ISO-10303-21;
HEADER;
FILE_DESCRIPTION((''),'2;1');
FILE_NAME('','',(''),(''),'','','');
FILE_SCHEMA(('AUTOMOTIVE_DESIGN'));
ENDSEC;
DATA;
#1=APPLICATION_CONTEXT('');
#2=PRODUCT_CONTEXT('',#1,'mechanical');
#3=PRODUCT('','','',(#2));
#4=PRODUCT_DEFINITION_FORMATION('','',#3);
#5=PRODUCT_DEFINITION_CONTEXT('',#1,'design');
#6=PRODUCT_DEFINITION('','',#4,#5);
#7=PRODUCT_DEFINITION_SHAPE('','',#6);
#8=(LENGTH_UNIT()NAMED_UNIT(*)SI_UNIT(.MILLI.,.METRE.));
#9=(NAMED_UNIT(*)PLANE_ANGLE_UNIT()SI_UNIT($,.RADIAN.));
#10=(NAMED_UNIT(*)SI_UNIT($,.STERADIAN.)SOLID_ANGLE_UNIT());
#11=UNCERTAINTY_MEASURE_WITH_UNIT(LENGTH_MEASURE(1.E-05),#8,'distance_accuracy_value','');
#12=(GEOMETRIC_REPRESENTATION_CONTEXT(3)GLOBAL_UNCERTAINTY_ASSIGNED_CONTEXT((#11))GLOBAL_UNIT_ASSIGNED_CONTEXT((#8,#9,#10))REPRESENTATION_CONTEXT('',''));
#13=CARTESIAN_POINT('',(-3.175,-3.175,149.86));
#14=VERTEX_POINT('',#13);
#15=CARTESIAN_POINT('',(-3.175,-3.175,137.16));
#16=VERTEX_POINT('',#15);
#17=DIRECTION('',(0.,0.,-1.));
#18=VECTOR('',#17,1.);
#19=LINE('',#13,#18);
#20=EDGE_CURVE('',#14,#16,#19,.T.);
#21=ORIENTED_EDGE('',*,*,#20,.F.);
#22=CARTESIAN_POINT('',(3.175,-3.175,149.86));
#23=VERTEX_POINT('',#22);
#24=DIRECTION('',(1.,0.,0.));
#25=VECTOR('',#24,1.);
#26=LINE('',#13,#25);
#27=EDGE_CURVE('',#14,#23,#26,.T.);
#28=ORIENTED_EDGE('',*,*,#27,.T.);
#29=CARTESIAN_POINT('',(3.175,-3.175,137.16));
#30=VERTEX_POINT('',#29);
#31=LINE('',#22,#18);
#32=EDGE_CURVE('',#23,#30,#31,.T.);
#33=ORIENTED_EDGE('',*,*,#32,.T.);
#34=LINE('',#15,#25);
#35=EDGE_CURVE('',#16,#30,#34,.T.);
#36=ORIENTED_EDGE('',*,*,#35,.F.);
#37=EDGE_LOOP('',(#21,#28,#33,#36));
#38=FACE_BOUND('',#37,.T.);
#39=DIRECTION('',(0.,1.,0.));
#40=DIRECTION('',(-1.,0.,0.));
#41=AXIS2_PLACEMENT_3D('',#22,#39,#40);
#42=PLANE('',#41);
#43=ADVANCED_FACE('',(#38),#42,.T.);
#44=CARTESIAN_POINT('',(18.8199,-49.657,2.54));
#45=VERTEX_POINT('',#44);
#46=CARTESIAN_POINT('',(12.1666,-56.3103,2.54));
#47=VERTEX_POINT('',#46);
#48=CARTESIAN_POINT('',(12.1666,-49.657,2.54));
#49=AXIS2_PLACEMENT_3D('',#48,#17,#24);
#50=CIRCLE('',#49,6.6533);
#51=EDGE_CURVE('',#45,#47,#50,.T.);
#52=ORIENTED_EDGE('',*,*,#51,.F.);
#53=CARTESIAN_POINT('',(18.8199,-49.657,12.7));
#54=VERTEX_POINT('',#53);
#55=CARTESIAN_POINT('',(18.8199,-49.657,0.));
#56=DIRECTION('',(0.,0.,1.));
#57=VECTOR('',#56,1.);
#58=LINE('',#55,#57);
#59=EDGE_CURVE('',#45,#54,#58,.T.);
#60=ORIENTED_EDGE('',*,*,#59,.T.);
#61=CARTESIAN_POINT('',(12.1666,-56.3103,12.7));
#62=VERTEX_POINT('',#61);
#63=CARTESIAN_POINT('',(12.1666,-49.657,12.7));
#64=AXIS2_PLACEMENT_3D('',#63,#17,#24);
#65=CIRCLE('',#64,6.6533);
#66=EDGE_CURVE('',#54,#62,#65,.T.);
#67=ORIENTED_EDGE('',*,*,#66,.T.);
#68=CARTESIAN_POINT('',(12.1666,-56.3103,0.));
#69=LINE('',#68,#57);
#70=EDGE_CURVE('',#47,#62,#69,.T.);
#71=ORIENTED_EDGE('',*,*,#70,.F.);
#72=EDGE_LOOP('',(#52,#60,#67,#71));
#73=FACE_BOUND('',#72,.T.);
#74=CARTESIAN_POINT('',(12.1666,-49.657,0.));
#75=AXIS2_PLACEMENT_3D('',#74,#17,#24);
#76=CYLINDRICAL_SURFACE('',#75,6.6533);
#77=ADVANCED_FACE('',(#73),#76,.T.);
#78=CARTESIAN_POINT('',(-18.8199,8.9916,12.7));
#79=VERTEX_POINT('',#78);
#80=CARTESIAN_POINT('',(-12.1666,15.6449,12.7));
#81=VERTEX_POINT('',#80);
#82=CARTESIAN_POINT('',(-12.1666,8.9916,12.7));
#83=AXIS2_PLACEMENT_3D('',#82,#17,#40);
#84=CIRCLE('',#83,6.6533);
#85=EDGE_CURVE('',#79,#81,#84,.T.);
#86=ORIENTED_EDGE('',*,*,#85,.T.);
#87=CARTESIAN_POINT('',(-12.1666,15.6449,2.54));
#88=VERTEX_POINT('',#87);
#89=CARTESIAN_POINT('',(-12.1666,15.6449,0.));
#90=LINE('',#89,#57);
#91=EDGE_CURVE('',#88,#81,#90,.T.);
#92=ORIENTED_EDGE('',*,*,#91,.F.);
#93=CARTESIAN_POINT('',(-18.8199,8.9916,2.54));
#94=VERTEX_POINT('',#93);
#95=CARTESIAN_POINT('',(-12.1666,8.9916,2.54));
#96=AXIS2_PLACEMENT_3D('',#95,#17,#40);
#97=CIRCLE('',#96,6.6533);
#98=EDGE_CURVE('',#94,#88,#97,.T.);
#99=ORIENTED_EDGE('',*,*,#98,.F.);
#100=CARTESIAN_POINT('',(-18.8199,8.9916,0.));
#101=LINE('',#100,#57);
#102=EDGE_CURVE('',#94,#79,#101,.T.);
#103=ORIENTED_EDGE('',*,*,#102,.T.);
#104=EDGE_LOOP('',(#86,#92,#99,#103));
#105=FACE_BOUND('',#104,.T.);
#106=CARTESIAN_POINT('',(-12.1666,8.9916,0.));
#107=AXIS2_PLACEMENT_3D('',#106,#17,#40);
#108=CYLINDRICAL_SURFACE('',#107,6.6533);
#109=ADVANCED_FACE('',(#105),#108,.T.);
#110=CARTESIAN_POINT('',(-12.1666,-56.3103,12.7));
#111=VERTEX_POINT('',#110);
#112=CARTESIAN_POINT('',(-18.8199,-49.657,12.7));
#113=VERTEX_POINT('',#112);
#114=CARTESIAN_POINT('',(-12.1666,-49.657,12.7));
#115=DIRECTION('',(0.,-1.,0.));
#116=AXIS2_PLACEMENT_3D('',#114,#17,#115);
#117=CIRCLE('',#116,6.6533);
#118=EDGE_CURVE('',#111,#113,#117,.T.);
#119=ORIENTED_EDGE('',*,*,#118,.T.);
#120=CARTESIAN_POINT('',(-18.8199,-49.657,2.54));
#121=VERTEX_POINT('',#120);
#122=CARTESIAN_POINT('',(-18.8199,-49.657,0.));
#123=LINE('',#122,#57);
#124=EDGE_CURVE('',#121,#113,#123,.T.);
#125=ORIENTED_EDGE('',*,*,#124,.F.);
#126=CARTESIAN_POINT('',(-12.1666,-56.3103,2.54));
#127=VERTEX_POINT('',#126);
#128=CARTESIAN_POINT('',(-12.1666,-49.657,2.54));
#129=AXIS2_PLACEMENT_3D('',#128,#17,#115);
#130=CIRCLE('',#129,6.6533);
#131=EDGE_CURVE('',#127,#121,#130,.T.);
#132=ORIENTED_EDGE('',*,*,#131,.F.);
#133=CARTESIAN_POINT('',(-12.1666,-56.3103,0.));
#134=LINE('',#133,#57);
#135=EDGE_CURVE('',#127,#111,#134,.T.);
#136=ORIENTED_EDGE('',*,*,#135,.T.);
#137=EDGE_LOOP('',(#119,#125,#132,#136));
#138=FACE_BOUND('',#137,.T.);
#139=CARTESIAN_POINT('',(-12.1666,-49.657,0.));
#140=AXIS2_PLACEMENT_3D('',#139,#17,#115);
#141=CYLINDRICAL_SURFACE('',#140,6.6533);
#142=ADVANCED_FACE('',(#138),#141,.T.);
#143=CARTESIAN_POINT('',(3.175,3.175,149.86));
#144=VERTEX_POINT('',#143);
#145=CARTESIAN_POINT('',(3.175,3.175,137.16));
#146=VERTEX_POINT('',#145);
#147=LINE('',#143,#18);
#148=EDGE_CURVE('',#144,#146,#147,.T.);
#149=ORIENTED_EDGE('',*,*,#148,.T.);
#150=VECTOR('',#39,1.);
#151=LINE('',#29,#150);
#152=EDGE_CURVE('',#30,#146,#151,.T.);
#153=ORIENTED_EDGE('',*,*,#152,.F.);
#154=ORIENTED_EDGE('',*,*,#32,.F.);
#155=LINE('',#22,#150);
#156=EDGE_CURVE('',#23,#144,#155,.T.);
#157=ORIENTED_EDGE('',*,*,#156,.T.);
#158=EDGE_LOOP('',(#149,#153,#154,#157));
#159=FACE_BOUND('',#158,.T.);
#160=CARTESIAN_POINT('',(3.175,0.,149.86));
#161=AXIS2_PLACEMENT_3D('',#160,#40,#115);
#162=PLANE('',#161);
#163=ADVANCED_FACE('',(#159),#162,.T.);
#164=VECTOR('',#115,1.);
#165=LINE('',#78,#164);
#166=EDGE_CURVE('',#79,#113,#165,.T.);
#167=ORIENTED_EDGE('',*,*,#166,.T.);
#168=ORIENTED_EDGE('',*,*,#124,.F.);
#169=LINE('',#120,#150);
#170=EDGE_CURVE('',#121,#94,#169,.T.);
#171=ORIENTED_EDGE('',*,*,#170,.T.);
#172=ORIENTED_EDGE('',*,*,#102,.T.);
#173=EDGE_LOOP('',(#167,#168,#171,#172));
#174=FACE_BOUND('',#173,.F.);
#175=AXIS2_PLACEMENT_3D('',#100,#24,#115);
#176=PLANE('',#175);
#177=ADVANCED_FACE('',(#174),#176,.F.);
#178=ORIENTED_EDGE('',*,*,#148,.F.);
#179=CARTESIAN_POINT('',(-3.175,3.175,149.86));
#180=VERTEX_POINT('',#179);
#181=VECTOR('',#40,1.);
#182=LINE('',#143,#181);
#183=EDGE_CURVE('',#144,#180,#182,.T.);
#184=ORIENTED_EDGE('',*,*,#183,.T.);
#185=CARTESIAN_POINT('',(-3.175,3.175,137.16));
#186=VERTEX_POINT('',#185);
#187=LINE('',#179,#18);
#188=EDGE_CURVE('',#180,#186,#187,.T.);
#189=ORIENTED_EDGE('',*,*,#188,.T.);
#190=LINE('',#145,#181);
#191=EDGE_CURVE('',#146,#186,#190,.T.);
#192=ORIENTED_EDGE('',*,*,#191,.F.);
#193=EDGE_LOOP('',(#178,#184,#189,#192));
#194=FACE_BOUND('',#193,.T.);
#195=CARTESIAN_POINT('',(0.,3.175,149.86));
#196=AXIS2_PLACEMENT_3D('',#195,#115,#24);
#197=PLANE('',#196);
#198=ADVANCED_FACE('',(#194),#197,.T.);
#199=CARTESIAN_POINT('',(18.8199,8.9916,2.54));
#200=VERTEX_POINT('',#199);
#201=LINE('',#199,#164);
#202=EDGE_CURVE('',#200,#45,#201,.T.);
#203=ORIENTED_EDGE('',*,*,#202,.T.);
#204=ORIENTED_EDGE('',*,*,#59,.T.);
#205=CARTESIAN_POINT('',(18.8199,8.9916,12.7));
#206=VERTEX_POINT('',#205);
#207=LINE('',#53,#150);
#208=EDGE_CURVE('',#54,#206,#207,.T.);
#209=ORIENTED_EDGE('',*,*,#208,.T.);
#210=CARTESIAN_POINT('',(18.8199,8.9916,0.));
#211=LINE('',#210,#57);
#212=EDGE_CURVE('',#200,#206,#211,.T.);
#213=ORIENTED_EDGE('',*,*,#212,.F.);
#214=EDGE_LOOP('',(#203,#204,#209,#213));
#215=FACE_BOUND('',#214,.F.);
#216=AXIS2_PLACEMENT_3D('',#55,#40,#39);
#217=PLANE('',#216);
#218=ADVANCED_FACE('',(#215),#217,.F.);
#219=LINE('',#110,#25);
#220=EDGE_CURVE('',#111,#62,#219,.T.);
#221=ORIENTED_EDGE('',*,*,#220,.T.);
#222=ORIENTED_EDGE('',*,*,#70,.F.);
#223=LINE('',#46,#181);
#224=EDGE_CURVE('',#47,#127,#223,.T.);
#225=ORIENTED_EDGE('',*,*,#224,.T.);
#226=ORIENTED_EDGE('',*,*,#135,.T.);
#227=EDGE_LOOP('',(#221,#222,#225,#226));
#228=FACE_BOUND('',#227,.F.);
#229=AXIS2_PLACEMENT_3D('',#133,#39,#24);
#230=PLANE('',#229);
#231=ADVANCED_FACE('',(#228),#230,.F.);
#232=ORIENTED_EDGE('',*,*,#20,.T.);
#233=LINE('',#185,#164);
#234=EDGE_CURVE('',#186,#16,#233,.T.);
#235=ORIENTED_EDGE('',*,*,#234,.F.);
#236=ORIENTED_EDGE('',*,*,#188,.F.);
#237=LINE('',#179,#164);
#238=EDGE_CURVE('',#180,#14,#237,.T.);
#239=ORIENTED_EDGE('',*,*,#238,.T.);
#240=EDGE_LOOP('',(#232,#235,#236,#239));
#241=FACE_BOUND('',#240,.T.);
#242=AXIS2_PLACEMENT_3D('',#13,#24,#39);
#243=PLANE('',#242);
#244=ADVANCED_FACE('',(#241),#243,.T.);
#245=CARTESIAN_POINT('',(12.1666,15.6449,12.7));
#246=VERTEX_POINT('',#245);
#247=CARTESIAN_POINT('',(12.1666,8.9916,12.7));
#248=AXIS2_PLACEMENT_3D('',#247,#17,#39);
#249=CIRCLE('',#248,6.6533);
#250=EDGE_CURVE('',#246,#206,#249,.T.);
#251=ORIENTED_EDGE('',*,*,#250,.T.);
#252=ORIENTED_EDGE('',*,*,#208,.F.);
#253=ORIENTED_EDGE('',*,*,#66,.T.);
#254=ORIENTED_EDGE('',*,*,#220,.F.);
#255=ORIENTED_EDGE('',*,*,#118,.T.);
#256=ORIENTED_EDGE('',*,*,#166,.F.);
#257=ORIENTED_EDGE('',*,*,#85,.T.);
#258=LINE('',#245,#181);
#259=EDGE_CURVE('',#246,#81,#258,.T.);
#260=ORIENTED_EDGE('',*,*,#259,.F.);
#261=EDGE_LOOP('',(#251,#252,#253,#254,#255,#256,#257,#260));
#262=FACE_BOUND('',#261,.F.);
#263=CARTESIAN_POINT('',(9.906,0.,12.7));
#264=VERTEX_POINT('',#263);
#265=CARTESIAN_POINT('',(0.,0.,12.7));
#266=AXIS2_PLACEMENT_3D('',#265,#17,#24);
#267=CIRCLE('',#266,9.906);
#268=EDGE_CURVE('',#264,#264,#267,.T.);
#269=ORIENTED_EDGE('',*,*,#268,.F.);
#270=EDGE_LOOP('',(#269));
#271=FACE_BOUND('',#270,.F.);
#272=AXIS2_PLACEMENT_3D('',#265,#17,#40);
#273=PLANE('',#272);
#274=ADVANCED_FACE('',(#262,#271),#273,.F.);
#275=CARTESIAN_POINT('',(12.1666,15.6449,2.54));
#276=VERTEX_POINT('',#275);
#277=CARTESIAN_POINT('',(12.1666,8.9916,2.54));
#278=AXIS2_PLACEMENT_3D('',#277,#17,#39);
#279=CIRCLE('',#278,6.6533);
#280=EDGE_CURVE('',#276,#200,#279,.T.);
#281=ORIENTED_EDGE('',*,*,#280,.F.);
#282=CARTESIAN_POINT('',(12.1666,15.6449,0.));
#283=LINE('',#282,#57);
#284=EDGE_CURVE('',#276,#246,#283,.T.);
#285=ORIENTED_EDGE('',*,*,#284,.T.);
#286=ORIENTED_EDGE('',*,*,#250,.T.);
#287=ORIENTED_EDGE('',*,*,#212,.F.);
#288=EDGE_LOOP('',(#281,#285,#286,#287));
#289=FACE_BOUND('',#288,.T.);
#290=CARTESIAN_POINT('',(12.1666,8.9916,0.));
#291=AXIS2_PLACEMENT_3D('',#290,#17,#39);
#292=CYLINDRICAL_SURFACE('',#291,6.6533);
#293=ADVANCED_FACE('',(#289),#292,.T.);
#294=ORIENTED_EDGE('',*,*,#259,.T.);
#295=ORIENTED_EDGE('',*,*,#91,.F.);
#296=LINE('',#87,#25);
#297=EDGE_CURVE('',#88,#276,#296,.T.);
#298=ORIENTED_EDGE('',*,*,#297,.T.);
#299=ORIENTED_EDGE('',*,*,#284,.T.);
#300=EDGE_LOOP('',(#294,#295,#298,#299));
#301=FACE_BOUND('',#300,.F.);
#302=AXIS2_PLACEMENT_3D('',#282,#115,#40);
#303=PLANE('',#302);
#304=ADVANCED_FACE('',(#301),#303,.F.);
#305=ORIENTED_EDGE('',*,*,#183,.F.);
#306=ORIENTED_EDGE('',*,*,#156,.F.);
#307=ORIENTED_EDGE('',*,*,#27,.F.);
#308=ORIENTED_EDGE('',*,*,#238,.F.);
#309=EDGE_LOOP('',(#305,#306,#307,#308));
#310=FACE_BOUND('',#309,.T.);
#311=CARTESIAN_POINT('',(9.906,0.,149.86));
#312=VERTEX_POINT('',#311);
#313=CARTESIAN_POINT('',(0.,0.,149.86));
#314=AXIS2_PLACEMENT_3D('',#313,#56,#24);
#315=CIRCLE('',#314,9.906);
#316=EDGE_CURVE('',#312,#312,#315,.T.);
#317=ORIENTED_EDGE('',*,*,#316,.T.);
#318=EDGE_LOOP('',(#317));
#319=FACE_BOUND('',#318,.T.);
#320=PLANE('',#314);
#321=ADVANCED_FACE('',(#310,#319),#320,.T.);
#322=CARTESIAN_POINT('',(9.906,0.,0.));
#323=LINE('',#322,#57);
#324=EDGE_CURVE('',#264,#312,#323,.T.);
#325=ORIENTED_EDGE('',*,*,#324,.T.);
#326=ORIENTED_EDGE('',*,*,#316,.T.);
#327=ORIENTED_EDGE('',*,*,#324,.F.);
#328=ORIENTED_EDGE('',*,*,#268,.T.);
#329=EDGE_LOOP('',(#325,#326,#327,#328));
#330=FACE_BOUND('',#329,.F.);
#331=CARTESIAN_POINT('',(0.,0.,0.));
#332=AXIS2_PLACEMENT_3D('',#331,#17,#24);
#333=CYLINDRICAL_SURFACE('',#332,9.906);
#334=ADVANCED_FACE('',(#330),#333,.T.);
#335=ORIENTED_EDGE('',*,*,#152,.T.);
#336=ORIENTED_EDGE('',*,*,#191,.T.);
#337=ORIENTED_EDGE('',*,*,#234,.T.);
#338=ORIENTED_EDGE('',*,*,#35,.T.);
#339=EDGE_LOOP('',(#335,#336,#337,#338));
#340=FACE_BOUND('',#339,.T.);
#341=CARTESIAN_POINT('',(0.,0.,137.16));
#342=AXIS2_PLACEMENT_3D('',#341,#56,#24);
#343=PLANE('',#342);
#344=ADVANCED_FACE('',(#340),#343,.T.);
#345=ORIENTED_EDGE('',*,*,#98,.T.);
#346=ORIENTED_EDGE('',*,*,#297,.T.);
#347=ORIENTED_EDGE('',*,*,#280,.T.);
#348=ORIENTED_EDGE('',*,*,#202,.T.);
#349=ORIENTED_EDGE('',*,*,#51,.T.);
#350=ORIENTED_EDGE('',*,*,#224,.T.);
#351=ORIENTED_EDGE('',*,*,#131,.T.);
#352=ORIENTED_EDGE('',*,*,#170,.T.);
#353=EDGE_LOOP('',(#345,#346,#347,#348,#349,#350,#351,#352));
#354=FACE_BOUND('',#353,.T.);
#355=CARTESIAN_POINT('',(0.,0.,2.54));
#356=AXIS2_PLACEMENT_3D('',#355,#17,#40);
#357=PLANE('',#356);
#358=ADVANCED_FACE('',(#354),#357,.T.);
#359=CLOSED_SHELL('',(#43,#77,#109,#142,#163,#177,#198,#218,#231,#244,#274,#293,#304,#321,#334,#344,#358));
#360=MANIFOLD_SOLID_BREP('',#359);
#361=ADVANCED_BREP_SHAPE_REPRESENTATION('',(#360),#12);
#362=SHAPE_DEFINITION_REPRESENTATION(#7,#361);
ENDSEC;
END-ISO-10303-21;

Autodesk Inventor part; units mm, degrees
ref_plane "YZ Plane" through (0, 0, 0) normal (1, 0, 0) x (0, 1, 0)
ref_plane "XZ Plane" through (0, 0, 0) normal (0, 1, 0) x (-1, 0, 0)
ref_plane "XY Plane" through (0, 0, 0) normal (0, 0, 1) x (1, 0, 0)
sketch "Sketch1" plane through (0, 0, 0) normal (0, 0, 1) x (1, 0, 0)
  circle A0 centre (0, 0) radius 9.906
  dimension "d0" = 19.812
extrude "Extrusion1" add sketch "Sketch1" along normal blind 149.86
sketch "Sketch2" plane through (0, 0, 149.86) normal (0, 0, 1) x (1, 0, 0)
  circle A0 centre (0, 0) radius 9.906 projected
  circle A1 centre (0, 0) radius 3.175
  line L0 (-3.175, 0) -> (0, 0)
  line L1 (0, 0) -> (0, 3.175)
  line L2 (0, 3.175) -> (-3.175, 3.175)
  line L3 (-3.175, 3.175) -> (-3.175, 0)
  line L4 (-3.175, 3.175) -> (3.175, 3.175)
  line L5 (3.175, 3.175) -> (3.175, -3.175)
  line L6 (3.175, -3.175) -> (-3.175, -3.175)
  line L7 (-3.175, -3.175) -> (-3.175, 3.175)
  dimension "d3" = 6.35
extrude "Extrusion2" cut sketch "Sketch2" against normal blind 12.7 contours A1 L0 L1 | L5 L6 A1 | A1 L4 L5 | L1 L0 A1 | A1 L3 L2 | L6 L7 A1
sketch "Sketch3" plane through (0, 0, 0) normal (0, 0, -1) x (-1, 0, 0)
  circle A0 centre (0, 0) radius 9.906 projected
  line L0 (0, 0) -> (-25.4, 0)
  line L1 (-25.4, 0) -> (-25.4, 25.4)
  line L2 (-25.4, 25.4) -> (0, 25.4)
  line L3 (0, 25.4) -> (0, 0)
  line L4 (-25.4, 25.4) -> (25.4, 25.4)
  line L5 (25.4, 25.4) -> (25.4, -25.4)
  line L6 (25.4, -25.4) -> (-25.4, -25.4)
  line L7 (-25.4, -25.4) -> (-25.4, 25.4)
  dimension "d6" = 25.4
  dimension "d7" = 25.4
  dimension "d8" = 50.8
  dimension "d9" = 50.8
extrude "Extrusion3" add sketch "Sketch3" against normal blind 12.7 contours A0 L3 L4 L5 L6 L7 L0 | L3 L0 A0 | A0 L0 L1 L2 L3 picked at (-6.1942, 2.1674)
sketch "Sketch4" plane through (-25.4, 25.4, 0) normal (0, 1, 0) x (1, 0, 0)
  line L0 (0, -12.7) -> (50.8, -12.7) projected
  line L1 (50.8, 0) -> (50.8, -12.7) projected
  line L2 (0, 0) -> (50.8, 0) projected
  line L3 (0, 0) -> (0, -12.7) projected
  point P0 (25.4, 0)
extrude "Extrusion4" cut sketch "Sketch4" against normal blind 6.35
sketch "Sketch5" plane through (0, 0, 0) normal (0, 0, -1) x (-1, 0, 0)
  line L0 (25.4, 19.05) -> (-25.4, 19.05) projected
  line L1 (-25.4, 19.05) -> (-25.4, -25.4) projected
  line L2 (-25.4, -25.4) -> (25.4, -25.4) projected
  line L3 (25.4, -25.4) -> (25.4, 19.05) projected
  line L4 (-25.4, 19.05) -> (25.4, 19.05)
  line L5 (25.4, 19.05) -> (25.4, -31.75)
  line L6 (25.4, -31.75) -> (-25.4, -31.75)
  line L7 (-25.4, -31.75) -> (-25.4, 19.05)
  point P0 (0, 0)
  dimension "d14" = 50.8
extrude "Extrusion5" add sketch "Sketch5" against normal blind 12.7 contours L5 L6 L7 L2
sketch "Sketch7" plane through (0, 0, 12.7) normal (0, 0, 1) x (1, 0, 0)
  line L0 (25.4, 19.05) -> (25.4, -31.75) projected
  circle A0 centre (0, 0) radius 9.906 projected
  line L1 (0, 9.906) -> (0, 16.6116)
  line L2 (0, 16.6116) -> (-19.7866, 16.6116)
  line L3 (-19.7866, 16.6116) -> (-19.7866, -57.277)
  line L4 (-19.7866, -57.277) -> (0, -57.277)
  line L5 (0, -57.277) -> (0, 16.6116)
  line L6 (-19.7866, 16.6116) -> (19.7866, 16.6116)
  line L7 (19.7866, 16.6116) -> (19.7866, -57.277)
  line L8 (19.7866, -57.277) -> (-19.7866, -57.277)
  line L9 (-19.7866, -57.277) -> (-19.7866, 16.6116)
  dimension "d17" = 6.7056
  dimension "d18" = 19.7866
  dimension "d19" = 73.8886
  dimension "d20" = 39.5732
extrude "Extrusion6" add sketch "Sketch7" against normal blind 50.8 contours A0 L1 L6 L7 L8 L5 | L5 A0 | A0 L5 L4 L3 L2 L1 picked at (-4.6219, 0.7927)
sketch "Sketch8" plane through (0, 0, 0) normal (0, 0, -1) x (-1, 0, 0)
  line L0 (-19.7866, -31.75) -> (-19.7866, 16.6116) projected
  line L1 (-19.7866, 16.6116) -> (19.7866, 16.6116) projected
  line L2 (19.7866, 16.6116) -> (19.7866, -31.75) projected
  line L3 (19.7866, -31.75) -> (25.4, -31.75) projected
  line L4 (25.4, -31.75) -> (25.4, 19.05) projected
  line L5 (25.4, 19.05) -> (-25.4, 19.05) projected
  line L6 (-25.4, 19.05) -> (-25.4, -31.75) projected
  line L7 (-25.4, -31.75) -> (-19.7866, -31.75) projected
  point P0 (0, 0)
extrude "Extrusion7" cut sketch "Sketch8" against normal blind 50.8
fillet "Fillet1" radius 6.35 4 edges at (19.7866, 16.6116, -12.7) (-19.7866, 16.6116, -12.7) (19.7866, -57.277, -12.7) (-19.7866, -57.277, -12.7)
sketch "Sketch9" plane through (0, 0, -38.1) normal (0, 0, -1) x (-1, 0, 0)
  arc A0 (13.4366, -57.277) -> (19.7866, -50.927) centre (13.4366, -50.927) ccw projected
  line L0 (19.7866, 10.2616) -> (19.7866, -50.927) projected
  arc A1 (19.7866, 10.2616) -> (13.4366, 16.6116) centre (13.4366, 10.2616) ccw projected
  line L1 (-13.4366, 16.6116) -> (13.4366, 16.6116) projected
  arc A2 (-13.4366, 16.6116) -> (-19.7866, 10.2616) centre (-13.4366, 10.2616) ccw projected
  line L2 (-19.7866, -50.927) -> (-19.7866, 10.2616) projected
  arc A3 (-19.7866, -50.927) -> (-13.4366, -57.277) centre (-13.4366, -50.927) ccw projected
  line L3 (13.4366, -57.277) -> (-13.4366, -57.277) projected
  line L4 (0, -9.906) -> (0, 9.906) projected
  arc A4 (0, 9.906) -> (0, -9.906) centre (0, 0) ccw projected
extrude "Extrusion8" cut sketch "Sketch9" against normal blind 25.4
sketch "Sketch10" plane through (0, 0, -12.7) normal (0, 0, -1) x (-1, 0, 0)
  arc A0 (0, 9.906) -> (0, -9.906) centre (0, 0) ccw projected
  line L0 (0, -9.906) -> (0, 9.906) projected
extrude "Extrusion9" add sketch "Sketch10" against normal blind 25.4
sketch "Sketch11" plane through (0, 0, -12.7) normal (0, 0, -1) x (-1, 0, 0)
  line L0 (19.7866, 10.2616) -> (19.7866, -50.927) projected
  arc A0 (19.7866, 10.2616) -> (13.4366, 16.6116) centre (13.4366, 10.2616) ccw projected
  line L1 (-13.4366, 16.6116) -> (13.4366, 16.6116) projected
  arc A1 (-13.4366, 16.6116) -> (-19.7866, 10.2616) centre (-13.4366, 10.2616) ccw projected
  line L2 (-19.7866, -50.927) -> (-19.7866, 10.2616) projected
  arc A2 (-19.7866, -50.927) -> (-13.4366, -57.277) centre (-13.4366, -50.927) ccw projected
  line L3 (13.4366, -57.277) -> (-13.4366, -57.277) projected
  arc A3 (13.4366, -57.277) -> (19.7866, -50.927) centre (13.4366, -50.927) ccw projected
  point P0 (0, 0)
extrude "Extrusion10" cut sketch "Sketch11" against normal blind 12.7
sketch "Sketch12" plane through (0, 0, 0) normal (0, 0, -1) x (-1, 0, 0)
  line L0 (-19.7866, 16.6116) -> (19.7866, 16.6116)
  line L1 (19.7866, 16.6116) -> (19.7866, -57.277)
  line L2 (19.7866, -57.277) -> (-19.7866, -57.277)
  line L3 (-19.7866, -57.277) -> (-19.7866, 16.6116)
  point P0 (0, 0)
extrude "Extrusion11" add sketch "Sketch12" against normal blind 12.7
fillet "Fillet2" radius 7.62 4 edges at (19.7866, 16.6116, 6.35) (-19.7866, 16.6116, 6.35) (-19.7866, -57.277, 6.35) (19.7866, -57.277, 6.35)
sketch "Sketch13" plane through (0, 0, 0) normal (0, 0, -1) x (-1, 0, 0)
  arc A0 (-19.7866, -49.657) -> (-12.1666, -57.277) centre (-12.1666, -49.657) ccw projected
  line L0 (12.1666, -57.277) -> (-12.1666, -57.277) projected
  arc A1 (12.1666, -57.277) -> (19.7866, -49.657) centre (12.1666, -49.657) ccw projected
  line L1 (19.7866, 8.9916) -> (19.7866, -49.657) projected
  arc A2 (19.7866, 8.9916) -> (12.1666, 16.6116) centre (12.1666, 8.9916) ccw projected
  line L2 (-12.1666, 16.6116) -> (12.1666, 16.6116) projected
  arc A3 (-12.1666, 16.6116) -> (-19.7866, 8.9916) centre (-12.1666, 8.9916) ccw projected
  line L3 (-19.7866, -49.657) -> (-19.7866, 8.9916) projected
  arc A4 (18.8199, 8.9916) -> (12.1666, 15.6449) centre (12.1666, 8.9916) ccw
  line L4 (18.8199, 8.9916) -> (18.8199, -49.657)
  arc A5 (12.1666, -56.3103) -> (18.8199, -49.657) centre (12.1666, -49.657) ccw
  line L5 (12.1666, -56.3103) -> (-12.1666, -56.3103)
  arc A6 (-18.8199, -49.657) -> (-12.1666, -56.3103) centre (-12.1666, -49.657) ccw
  line L6 (-18.8199, -49.657) -> (-18.8199, 8.9916)
  arc A7 (-12.1666, 15.6449) -> (-18.8199, 8.9916) centre (-12.1666, 8.9916) ccw
  line L7 (-12.1666, 15.6449) -> (12.1666, 15.6449)
  point P0 (0, 0)
extrude "Extrusion12" cut sketch "Sketch13" against normal blind 12.7
sketch "Sketch14" plane through (0, 0, 0) normal (0, 0, -1) x (-1, 0, 0)
  line L0 (12.1666, 15.6449) -> (-12.1666, 15.6449) projected
  arc A0 (-12.1666, 15.6449) -> (-18.8199, 8.9916) centre (-12.1666, 8.9916) ccw projected
  line L1 (-18.8199, 8.9916) -> (-18.8199, -49.657) projected
  arc A1 (-18.8199, -49.657) -> (-12.1666, -56.3103) centre (-12.1666, -49.657) ccw projected
  line L2 (-12.1666, -56.3103) -> (12.1666, -56.3103) projected
  arc A2 (12.1666, -56.3103) -> (18.8199, -49.657) centre (12.1666, -49.657) ccw projected
  line L3 (18.8199, -49.657) -> (18.8199, 8.9916) projected
  arc A3 (18.8199, 8.9916) -> (12.1666, 15.6449) centre (12.1666, 8.9916) ccw projected
  point P0 (0, 0)
extrude "Extrusion13" cut sketch "Sketch14" against normal blind 2.54
sketch "Sketch15" plane through (0, 0, 2.54) normal (0, 0, -1) x (-1, 0, 0)
  arc A0 (-12.1666, 15.6449) -> (-18.8199, 8.9916) centre (-12.1666, 8.9916) ccw projected
  line L0 (-18.8199, -49.657) -> (-18.8199, 8.9916) projected
  arc A1 (-18.8199, -49.657) -> (-12.1666, -56.3103) centre (-12.1666, -49.657) ccw projected
  line L1 (12.1666, -56.3103) -> (-12.1666, -56.3103) projected
  arc A2 (12.1666, -56.3103) -> (18.8199, -49.657) centre (12.1666, -49.657) ccw projected
  line L2 (18.8199, 8.9916) -> (18.8199, -49.657) projected
  arc A3 (18.8199, 8.9916) -> (12.1666, 15.6449) centre (12.1666, 8.9916) ccw projected
  line L3 (-12.1666, 15.6449) -> (12.1666, 15.6449) projected
  point P0 (0, 0)
properties part number "linac arm2"
